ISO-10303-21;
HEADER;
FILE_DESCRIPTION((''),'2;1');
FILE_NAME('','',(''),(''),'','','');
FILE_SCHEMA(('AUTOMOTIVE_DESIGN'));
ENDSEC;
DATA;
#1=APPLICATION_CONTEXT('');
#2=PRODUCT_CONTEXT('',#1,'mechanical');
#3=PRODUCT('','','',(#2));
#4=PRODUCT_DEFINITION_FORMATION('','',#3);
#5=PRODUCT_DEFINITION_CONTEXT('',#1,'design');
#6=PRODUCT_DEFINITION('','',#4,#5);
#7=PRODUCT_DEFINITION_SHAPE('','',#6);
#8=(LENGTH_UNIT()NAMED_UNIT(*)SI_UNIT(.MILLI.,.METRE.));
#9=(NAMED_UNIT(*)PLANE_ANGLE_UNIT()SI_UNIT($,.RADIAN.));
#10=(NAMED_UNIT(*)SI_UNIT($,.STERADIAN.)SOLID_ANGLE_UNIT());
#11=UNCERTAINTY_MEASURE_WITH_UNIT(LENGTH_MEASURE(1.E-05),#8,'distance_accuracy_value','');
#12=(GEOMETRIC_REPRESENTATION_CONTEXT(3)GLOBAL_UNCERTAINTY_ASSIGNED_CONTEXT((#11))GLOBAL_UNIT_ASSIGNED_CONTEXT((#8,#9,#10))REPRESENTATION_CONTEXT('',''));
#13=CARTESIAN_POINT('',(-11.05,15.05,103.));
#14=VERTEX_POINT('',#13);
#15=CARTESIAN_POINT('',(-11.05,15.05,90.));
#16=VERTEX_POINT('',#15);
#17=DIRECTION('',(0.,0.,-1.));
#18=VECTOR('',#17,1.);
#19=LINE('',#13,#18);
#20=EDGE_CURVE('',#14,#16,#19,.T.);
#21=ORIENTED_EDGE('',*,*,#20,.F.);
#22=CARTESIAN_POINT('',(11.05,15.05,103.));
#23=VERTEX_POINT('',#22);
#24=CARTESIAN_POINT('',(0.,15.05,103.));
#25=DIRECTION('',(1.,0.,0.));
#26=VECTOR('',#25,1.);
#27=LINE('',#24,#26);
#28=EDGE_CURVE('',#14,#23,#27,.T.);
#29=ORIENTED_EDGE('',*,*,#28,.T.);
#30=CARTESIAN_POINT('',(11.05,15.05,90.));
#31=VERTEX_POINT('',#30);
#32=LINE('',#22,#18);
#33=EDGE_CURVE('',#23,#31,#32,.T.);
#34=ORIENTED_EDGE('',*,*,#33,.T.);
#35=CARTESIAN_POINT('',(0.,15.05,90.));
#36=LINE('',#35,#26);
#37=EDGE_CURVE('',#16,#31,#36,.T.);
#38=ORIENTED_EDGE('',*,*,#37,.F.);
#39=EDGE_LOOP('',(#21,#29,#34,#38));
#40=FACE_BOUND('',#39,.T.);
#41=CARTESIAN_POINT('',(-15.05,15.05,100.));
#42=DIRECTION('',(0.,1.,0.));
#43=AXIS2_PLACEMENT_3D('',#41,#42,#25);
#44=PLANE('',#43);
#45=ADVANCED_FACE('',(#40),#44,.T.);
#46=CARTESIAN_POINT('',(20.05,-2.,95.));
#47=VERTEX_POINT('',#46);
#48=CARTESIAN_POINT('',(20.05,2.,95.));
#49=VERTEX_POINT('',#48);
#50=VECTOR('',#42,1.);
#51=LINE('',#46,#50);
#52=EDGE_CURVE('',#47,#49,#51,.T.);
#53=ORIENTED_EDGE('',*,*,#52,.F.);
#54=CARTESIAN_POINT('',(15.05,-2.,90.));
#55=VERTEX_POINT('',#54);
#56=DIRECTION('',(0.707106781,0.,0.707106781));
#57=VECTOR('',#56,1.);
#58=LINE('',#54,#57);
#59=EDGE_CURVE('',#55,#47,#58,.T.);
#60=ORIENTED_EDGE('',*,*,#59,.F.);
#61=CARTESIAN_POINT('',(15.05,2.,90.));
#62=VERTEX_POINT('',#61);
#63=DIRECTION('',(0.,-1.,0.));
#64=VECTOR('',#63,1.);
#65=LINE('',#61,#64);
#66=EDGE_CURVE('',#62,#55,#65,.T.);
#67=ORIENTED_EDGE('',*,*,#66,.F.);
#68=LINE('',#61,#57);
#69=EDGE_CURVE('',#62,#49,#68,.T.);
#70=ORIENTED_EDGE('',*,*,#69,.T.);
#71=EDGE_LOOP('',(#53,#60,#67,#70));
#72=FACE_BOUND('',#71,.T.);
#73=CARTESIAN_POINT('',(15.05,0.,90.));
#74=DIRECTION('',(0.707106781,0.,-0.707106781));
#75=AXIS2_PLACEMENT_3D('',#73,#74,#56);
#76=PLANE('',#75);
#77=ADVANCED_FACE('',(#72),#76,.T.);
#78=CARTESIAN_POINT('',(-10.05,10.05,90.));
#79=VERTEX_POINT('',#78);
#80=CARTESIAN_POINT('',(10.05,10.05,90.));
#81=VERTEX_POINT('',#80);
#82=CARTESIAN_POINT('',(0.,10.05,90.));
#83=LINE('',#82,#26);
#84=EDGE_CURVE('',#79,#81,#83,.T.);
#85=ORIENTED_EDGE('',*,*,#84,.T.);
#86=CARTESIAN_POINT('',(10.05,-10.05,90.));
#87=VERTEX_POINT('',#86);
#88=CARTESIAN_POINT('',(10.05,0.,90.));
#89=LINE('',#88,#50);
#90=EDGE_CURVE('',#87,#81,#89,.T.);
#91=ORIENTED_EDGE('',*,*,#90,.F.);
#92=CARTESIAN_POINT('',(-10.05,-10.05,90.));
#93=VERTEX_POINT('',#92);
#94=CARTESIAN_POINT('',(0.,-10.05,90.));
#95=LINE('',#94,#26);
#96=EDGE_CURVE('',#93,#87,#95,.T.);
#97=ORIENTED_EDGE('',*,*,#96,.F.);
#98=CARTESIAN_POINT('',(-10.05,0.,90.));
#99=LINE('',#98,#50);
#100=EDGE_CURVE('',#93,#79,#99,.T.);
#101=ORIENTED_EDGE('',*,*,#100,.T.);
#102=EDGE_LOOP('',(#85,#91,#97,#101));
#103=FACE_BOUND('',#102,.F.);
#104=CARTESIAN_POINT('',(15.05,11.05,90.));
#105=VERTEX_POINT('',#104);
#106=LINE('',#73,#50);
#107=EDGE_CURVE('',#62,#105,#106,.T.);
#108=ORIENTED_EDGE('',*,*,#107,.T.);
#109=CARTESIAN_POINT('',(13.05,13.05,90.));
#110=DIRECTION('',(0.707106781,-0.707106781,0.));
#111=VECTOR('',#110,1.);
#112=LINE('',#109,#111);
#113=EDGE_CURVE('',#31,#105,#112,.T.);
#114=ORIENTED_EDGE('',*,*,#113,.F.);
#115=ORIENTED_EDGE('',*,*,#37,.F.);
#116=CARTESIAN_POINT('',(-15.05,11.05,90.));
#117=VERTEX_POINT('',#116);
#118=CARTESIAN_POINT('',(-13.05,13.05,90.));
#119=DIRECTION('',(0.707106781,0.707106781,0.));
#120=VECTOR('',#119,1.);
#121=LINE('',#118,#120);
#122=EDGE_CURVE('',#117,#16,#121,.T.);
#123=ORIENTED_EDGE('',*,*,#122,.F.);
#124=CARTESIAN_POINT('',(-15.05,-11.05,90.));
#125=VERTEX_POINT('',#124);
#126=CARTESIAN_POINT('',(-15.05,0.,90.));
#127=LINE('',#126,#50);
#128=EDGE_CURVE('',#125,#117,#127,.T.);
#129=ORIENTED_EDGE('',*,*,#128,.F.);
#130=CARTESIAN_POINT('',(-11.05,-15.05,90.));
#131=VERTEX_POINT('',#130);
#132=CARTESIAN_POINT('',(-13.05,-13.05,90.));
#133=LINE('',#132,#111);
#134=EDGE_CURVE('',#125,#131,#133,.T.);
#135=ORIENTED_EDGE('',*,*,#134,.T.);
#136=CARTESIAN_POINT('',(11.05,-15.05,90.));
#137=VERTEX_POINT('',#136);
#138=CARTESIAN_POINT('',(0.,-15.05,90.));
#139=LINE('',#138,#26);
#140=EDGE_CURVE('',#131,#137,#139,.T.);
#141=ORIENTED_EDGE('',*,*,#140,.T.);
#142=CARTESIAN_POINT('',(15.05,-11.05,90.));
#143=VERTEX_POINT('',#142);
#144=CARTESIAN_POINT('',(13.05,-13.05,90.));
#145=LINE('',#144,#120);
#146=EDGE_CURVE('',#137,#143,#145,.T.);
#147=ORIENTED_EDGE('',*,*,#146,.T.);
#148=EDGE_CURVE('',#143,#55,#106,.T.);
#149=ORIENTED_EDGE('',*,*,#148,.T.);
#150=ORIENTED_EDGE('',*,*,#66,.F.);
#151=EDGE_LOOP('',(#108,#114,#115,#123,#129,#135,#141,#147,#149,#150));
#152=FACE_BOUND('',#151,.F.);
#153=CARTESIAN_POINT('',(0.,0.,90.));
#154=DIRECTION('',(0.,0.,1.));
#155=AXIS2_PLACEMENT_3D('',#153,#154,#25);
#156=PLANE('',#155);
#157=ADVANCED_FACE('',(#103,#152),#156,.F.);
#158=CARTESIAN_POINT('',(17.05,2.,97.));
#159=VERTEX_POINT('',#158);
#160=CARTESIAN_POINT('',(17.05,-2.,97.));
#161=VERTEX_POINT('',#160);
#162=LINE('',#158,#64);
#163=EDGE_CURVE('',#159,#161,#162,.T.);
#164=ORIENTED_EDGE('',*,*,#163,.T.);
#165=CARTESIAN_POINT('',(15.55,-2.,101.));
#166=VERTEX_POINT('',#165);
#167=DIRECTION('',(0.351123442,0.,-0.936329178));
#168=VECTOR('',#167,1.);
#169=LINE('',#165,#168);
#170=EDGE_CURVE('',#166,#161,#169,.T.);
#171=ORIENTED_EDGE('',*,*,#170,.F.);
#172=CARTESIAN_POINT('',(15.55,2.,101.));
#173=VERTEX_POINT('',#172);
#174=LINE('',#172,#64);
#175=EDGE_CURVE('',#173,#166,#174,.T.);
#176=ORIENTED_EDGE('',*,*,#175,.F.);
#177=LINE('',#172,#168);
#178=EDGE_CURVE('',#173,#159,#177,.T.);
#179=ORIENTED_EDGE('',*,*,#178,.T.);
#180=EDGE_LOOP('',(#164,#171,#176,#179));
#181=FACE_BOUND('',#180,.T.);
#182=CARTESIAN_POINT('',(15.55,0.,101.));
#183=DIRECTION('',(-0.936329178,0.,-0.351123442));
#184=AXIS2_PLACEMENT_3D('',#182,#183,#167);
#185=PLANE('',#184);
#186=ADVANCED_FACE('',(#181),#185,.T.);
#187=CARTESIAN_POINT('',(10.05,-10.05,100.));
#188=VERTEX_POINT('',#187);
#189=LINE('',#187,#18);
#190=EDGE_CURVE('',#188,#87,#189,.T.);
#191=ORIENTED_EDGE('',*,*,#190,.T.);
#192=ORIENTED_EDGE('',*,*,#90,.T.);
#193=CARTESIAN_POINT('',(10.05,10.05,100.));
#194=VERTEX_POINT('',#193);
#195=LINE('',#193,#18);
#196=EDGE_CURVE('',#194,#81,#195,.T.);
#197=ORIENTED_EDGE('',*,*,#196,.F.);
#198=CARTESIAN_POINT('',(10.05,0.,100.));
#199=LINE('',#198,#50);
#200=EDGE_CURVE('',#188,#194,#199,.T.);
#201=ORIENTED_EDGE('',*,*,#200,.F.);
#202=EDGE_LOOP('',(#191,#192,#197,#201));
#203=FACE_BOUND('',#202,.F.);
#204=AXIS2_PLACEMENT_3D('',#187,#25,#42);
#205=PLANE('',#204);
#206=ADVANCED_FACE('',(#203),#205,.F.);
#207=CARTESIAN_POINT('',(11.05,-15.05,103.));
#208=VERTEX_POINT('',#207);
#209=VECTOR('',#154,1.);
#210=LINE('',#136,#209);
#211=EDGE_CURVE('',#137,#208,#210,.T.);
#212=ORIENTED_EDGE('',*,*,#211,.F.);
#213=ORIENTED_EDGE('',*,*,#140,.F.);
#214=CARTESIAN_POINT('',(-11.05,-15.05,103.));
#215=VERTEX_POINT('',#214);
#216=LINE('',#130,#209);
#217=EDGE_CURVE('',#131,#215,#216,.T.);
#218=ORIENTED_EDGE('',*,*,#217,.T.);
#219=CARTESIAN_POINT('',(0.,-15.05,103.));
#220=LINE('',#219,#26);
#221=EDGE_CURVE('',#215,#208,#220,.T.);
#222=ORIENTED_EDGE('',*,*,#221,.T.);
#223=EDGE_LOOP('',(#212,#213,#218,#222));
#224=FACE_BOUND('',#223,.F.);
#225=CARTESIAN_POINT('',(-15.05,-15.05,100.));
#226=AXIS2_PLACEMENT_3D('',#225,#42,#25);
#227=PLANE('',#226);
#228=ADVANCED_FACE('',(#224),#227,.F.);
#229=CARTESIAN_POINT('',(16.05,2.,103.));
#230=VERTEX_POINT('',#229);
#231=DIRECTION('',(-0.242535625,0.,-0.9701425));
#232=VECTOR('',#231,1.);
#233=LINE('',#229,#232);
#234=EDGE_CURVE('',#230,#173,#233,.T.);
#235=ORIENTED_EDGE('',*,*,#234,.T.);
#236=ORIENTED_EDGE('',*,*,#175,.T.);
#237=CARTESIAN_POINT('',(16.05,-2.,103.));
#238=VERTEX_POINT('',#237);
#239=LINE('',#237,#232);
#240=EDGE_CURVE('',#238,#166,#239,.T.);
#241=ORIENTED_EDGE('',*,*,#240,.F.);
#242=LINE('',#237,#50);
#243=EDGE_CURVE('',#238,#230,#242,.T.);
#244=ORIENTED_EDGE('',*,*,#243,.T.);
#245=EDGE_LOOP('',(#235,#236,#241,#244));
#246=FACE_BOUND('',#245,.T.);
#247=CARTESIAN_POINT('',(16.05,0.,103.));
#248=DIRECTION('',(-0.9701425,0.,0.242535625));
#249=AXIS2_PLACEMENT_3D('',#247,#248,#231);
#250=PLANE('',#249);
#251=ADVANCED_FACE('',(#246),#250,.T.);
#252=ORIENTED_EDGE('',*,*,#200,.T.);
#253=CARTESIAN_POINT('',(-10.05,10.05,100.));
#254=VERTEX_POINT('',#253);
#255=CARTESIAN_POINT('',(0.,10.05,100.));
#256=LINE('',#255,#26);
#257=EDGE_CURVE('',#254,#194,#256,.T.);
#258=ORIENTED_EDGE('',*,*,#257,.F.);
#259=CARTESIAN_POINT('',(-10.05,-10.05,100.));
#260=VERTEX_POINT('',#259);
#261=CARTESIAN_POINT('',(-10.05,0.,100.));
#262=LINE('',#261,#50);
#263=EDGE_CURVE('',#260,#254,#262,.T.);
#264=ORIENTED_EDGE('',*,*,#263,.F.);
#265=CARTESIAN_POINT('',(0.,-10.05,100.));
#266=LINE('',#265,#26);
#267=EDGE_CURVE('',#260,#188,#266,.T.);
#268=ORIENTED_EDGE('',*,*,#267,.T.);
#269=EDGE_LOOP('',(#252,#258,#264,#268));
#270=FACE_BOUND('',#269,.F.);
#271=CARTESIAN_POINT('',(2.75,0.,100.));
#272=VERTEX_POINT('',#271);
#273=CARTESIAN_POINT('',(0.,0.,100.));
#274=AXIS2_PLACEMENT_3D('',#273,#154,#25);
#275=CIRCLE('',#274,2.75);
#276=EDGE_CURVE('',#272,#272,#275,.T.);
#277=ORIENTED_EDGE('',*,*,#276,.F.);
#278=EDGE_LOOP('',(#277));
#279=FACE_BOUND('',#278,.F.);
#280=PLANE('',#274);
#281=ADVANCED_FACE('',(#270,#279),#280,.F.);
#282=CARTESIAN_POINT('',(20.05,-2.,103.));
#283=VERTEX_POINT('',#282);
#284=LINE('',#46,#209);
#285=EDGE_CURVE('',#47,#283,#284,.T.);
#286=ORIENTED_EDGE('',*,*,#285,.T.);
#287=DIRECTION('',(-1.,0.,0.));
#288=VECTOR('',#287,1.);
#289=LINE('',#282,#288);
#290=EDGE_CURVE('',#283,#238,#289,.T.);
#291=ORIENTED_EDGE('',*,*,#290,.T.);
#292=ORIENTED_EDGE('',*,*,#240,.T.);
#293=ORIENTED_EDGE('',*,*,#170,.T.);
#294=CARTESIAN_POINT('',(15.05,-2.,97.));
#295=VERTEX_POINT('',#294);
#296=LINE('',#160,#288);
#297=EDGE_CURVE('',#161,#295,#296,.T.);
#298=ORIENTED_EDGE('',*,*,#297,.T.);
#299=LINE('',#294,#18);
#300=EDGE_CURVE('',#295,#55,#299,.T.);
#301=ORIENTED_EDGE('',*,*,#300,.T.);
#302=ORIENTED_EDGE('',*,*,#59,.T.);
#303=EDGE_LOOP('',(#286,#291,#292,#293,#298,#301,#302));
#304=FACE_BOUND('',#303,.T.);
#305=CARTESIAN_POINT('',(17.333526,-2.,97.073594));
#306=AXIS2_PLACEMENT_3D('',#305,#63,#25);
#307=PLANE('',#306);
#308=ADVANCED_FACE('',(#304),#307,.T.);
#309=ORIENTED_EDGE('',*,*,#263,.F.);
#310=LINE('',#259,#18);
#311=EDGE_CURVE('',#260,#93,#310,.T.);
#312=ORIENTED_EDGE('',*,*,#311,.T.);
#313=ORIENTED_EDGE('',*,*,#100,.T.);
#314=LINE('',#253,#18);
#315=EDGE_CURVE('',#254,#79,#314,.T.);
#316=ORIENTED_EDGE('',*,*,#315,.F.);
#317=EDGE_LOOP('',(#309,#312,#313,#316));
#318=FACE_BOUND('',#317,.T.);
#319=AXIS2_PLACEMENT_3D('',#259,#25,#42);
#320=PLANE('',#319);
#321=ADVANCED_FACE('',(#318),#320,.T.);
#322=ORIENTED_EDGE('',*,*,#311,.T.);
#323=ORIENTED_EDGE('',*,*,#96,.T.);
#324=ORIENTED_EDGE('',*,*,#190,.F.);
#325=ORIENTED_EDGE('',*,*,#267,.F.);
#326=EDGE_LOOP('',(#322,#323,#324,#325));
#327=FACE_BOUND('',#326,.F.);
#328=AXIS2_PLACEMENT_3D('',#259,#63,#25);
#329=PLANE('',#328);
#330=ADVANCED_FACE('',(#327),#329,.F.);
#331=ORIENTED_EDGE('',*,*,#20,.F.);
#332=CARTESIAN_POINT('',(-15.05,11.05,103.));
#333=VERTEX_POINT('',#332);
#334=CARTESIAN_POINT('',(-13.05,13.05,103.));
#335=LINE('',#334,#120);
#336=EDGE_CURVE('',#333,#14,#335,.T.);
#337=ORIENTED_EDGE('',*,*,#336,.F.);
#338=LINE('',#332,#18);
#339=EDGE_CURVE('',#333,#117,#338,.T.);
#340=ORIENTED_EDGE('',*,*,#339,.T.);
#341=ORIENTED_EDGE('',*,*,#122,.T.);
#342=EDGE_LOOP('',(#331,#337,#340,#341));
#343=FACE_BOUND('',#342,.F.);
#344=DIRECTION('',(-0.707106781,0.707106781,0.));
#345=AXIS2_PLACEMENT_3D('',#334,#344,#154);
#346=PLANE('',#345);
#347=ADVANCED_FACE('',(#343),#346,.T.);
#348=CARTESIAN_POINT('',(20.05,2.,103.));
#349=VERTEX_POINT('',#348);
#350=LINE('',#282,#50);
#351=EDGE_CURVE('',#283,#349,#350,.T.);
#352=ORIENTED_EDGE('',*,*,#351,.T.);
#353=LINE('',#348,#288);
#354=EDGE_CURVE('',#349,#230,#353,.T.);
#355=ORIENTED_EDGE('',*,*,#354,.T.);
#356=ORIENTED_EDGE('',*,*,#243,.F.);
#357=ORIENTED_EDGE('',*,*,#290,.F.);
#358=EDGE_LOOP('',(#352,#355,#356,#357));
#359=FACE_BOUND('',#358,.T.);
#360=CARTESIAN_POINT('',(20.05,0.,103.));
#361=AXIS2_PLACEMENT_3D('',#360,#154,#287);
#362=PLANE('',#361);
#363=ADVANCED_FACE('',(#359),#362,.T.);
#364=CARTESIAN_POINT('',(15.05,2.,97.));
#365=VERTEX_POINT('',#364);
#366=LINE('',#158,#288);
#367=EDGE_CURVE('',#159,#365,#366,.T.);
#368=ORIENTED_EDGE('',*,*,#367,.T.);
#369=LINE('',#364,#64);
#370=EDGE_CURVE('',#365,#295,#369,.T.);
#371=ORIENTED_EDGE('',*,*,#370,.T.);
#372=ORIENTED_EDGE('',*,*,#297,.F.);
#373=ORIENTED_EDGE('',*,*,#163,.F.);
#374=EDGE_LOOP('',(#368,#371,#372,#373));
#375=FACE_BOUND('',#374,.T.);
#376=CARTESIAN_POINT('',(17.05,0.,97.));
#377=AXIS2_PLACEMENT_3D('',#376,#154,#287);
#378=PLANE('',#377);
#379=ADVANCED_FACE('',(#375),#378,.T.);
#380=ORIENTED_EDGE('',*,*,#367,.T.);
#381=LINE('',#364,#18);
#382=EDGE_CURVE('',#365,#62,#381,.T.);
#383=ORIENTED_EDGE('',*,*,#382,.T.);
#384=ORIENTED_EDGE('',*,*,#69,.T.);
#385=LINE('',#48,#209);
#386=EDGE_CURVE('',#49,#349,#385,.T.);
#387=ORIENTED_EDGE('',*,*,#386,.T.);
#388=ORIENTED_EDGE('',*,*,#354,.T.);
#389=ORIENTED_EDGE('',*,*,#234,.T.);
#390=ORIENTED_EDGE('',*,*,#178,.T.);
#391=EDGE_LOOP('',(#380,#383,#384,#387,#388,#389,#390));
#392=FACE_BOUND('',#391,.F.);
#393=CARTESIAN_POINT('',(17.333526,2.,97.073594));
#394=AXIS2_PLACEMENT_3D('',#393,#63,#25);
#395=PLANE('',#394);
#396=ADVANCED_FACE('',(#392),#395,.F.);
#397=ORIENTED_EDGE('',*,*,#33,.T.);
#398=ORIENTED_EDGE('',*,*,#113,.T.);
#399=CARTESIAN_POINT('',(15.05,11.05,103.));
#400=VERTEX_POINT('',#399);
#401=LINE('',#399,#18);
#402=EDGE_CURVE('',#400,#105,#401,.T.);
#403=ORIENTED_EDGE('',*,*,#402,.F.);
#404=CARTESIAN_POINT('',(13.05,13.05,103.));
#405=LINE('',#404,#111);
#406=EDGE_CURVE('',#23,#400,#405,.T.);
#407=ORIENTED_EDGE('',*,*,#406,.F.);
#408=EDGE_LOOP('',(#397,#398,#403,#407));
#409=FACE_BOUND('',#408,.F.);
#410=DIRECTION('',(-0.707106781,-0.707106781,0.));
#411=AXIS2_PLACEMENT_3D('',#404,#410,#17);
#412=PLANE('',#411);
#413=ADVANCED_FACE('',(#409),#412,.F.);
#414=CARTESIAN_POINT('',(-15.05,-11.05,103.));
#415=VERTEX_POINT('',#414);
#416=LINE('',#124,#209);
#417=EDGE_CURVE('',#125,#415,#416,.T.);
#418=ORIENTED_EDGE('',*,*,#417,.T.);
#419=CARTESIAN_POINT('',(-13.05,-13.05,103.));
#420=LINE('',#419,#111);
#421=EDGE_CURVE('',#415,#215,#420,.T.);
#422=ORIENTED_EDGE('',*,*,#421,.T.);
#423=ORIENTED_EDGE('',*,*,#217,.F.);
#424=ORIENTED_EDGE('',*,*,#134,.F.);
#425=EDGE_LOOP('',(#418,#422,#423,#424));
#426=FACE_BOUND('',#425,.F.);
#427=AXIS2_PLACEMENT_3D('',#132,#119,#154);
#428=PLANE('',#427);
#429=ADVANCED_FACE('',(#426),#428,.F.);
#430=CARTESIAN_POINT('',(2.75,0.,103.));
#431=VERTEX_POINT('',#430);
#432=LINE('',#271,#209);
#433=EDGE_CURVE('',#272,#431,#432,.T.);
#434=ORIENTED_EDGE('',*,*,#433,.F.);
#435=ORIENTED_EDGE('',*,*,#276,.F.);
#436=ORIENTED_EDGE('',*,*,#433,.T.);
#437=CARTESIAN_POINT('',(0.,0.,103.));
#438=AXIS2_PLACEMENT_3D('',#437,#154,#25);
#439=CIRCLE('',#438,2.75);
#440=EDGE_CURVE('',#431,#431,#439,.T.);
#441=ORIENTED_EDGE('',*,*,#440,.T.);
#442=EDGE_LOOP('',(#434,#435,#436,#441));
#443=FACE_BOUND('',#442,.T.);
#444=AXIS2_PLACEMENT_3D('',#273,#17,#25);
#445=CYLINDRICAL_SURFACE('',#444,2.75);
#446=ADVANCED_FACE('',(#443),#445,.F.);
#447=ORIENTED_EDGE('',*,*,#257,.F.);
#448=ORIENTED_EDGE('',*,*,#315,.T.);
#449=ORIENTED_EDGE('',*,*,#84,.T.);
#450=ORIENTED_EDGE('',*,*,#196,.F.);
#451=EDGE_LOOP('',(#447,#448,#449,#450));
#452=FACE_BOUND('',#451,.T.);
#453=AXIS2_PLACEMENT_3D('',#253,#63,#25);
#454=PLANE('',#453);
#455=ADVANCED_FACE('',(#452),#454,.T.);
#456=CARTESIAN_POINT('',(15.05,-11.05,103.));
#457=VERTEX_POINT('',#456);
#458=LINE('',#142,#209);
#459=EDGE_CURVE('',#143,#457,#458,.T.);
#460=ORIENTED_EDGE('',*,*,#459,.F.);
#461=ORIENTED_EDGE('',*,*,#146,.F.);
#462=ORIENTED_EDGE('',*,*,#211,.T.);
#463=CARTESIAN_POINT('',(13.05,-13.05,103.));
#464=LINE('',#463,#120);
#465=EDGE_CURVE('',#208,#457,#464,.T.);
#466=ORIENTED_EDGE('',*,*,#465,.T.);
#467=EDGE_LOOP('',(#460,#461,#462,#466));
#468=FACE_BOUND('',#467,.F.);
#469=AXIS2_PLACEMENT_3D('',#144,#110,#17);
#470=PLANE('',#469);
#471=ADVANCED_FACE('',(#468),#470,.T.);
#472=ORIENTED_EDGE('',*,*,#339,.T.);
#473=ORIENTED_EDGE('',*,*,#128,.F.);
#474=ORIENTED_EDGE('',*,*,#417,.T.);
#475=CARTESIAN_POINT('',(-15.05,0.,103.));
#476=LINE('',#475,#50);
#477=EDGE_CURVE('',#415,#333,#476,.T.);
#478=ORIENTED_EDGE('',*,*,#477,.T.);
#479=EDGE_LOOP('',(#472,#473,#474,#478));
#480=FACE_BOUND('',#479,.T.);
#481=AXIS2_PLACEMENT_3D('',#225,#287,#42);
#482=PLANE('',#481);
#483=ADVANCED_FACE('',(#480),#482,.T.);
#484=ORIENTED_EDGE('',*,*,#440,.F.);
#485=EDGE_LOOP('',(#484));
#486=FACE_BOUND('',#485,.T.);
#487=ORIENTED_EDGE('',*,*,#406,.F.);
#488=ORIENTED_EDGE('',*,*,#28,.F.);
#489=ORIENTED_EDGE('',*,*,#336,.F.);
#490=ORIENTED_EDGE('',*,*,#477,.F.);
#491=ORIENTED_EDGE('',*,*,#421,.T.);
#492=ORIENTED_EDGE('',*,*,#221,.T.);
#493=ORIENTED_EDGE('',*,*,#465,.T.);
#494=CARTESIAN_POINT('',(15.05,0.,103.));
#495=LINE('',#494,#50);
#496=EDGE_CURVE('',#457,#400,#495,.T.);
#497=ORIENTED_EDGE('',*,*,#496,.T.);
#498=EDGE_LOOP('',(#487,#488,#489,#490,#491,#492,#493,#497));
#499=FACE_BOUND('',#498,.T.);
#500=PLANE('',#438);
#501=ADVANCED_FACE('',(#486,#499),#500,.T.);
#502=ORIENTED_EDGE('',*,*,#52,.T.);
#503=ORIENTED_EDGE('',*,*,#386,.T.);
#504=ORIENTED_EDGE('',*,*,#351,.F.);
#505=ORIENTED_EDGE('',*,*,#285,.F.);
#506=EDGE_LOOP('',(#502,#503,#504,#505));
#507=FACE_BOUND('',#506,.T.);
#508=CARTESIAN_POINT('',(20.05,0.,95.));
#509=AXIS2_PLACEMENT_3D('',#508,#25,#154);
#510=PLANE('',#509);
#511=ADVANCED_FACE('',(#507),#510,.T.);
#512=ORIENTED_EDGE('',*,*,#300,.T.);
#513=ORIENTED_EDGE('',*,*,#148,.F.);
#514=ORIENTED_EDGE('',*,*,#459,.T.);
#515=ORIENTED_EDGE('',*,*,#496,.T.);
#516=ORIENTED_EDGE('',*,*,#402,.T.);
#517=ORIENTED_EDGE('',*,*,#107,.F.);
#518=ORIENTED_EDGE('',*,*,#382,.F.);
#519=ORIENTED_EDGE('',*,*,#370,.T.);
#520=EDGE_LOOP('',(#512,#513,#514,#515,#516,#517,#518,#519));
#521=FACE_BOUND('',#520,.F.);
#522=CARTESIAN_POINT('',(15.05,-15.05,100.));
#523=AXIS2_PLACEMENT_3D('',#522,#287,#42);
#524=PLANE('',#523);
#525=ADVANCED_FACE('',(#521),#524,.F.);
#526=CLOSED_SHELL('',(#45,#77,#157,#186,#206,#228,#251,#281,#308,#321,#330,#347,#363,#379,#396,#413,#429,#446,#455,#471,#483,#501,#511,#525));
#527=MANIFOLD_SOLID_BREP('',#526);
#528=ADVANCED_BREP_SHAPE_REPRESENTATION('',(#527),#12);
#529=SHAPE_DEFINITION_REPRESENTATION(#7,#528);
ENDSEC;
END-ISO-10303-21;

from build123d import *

# Parameters (mm, degrees)
SKETCH007_W     = 30.1
SKETCH007_H     = 30.1
SKETCH007_W_2   = 20.1
SKETCH007_H_2   = 20.1
PAD005_DEPTH    = 10
SKETCH008_W     = 30.1
SKETCH008_H     = 30.1
SKETCH008_R     = 2.75
PAD006_DEPTH    = 3
PAD007_DEPTH    = 2
CHAMFER003_SIZE = 4


with BuildPart() as part:
    # Sketch007 → Pad005 (new body)
    with BuildSketch(Plane.XY):
        Rectangle(SKETCH007_W, SKETCH007_H)
        Rectangle(SKETCH007_W_2, SKETCH007_H_2, mode=Mode.SUBTRACT)
    extrude(amount=-PAD005_DEPTH)

    # Sketch008 → Pad006 (join)
    with BuildSketch(Plane.XY):
        Rectangle(SKETCH008_W, SKETCH008_H)
        Circle(SKETCH008_R, mode=Mode.SUBTRACT)
    extrude(amount=PAD006_DEPTH)

    # Sketch009 → Pad007 (join, symmetric)
    with BuildSketch(Plane.XZ):
        Polygon((16.05, 3), (15.55, 1), (17.05, -3), (15.05, -3), (15.05, -10), (20.05, -5), (20.05, 3), align=None)
    extrude(amount=PAD007_DEPTH, both=True)

    # Chamfer003
    chamfer003_edges = [part.edges().sort_by_distance(p)[0] for p in [
        (15.05, -15.05, 1.5),
        (15.05, -15.05, -5),
        (-15.05, -15.05, 1.5),
        (-15.05, -15.05, -5),
        (15.05, 15.05, 1.5),
        (15.05, 15.05, -5),
        (-15.05, 15.05, 1.5),
        (-15.05, 15.05, -5),
    ]]
    chamfer(chamfer003_edges, length=CHAMFER003_SIZE)


with BuildPart() as part_1:
    # Body003 placement: moved
    add(part.part.moved(Location((0, 0, 100))))


solid = part_1.part
